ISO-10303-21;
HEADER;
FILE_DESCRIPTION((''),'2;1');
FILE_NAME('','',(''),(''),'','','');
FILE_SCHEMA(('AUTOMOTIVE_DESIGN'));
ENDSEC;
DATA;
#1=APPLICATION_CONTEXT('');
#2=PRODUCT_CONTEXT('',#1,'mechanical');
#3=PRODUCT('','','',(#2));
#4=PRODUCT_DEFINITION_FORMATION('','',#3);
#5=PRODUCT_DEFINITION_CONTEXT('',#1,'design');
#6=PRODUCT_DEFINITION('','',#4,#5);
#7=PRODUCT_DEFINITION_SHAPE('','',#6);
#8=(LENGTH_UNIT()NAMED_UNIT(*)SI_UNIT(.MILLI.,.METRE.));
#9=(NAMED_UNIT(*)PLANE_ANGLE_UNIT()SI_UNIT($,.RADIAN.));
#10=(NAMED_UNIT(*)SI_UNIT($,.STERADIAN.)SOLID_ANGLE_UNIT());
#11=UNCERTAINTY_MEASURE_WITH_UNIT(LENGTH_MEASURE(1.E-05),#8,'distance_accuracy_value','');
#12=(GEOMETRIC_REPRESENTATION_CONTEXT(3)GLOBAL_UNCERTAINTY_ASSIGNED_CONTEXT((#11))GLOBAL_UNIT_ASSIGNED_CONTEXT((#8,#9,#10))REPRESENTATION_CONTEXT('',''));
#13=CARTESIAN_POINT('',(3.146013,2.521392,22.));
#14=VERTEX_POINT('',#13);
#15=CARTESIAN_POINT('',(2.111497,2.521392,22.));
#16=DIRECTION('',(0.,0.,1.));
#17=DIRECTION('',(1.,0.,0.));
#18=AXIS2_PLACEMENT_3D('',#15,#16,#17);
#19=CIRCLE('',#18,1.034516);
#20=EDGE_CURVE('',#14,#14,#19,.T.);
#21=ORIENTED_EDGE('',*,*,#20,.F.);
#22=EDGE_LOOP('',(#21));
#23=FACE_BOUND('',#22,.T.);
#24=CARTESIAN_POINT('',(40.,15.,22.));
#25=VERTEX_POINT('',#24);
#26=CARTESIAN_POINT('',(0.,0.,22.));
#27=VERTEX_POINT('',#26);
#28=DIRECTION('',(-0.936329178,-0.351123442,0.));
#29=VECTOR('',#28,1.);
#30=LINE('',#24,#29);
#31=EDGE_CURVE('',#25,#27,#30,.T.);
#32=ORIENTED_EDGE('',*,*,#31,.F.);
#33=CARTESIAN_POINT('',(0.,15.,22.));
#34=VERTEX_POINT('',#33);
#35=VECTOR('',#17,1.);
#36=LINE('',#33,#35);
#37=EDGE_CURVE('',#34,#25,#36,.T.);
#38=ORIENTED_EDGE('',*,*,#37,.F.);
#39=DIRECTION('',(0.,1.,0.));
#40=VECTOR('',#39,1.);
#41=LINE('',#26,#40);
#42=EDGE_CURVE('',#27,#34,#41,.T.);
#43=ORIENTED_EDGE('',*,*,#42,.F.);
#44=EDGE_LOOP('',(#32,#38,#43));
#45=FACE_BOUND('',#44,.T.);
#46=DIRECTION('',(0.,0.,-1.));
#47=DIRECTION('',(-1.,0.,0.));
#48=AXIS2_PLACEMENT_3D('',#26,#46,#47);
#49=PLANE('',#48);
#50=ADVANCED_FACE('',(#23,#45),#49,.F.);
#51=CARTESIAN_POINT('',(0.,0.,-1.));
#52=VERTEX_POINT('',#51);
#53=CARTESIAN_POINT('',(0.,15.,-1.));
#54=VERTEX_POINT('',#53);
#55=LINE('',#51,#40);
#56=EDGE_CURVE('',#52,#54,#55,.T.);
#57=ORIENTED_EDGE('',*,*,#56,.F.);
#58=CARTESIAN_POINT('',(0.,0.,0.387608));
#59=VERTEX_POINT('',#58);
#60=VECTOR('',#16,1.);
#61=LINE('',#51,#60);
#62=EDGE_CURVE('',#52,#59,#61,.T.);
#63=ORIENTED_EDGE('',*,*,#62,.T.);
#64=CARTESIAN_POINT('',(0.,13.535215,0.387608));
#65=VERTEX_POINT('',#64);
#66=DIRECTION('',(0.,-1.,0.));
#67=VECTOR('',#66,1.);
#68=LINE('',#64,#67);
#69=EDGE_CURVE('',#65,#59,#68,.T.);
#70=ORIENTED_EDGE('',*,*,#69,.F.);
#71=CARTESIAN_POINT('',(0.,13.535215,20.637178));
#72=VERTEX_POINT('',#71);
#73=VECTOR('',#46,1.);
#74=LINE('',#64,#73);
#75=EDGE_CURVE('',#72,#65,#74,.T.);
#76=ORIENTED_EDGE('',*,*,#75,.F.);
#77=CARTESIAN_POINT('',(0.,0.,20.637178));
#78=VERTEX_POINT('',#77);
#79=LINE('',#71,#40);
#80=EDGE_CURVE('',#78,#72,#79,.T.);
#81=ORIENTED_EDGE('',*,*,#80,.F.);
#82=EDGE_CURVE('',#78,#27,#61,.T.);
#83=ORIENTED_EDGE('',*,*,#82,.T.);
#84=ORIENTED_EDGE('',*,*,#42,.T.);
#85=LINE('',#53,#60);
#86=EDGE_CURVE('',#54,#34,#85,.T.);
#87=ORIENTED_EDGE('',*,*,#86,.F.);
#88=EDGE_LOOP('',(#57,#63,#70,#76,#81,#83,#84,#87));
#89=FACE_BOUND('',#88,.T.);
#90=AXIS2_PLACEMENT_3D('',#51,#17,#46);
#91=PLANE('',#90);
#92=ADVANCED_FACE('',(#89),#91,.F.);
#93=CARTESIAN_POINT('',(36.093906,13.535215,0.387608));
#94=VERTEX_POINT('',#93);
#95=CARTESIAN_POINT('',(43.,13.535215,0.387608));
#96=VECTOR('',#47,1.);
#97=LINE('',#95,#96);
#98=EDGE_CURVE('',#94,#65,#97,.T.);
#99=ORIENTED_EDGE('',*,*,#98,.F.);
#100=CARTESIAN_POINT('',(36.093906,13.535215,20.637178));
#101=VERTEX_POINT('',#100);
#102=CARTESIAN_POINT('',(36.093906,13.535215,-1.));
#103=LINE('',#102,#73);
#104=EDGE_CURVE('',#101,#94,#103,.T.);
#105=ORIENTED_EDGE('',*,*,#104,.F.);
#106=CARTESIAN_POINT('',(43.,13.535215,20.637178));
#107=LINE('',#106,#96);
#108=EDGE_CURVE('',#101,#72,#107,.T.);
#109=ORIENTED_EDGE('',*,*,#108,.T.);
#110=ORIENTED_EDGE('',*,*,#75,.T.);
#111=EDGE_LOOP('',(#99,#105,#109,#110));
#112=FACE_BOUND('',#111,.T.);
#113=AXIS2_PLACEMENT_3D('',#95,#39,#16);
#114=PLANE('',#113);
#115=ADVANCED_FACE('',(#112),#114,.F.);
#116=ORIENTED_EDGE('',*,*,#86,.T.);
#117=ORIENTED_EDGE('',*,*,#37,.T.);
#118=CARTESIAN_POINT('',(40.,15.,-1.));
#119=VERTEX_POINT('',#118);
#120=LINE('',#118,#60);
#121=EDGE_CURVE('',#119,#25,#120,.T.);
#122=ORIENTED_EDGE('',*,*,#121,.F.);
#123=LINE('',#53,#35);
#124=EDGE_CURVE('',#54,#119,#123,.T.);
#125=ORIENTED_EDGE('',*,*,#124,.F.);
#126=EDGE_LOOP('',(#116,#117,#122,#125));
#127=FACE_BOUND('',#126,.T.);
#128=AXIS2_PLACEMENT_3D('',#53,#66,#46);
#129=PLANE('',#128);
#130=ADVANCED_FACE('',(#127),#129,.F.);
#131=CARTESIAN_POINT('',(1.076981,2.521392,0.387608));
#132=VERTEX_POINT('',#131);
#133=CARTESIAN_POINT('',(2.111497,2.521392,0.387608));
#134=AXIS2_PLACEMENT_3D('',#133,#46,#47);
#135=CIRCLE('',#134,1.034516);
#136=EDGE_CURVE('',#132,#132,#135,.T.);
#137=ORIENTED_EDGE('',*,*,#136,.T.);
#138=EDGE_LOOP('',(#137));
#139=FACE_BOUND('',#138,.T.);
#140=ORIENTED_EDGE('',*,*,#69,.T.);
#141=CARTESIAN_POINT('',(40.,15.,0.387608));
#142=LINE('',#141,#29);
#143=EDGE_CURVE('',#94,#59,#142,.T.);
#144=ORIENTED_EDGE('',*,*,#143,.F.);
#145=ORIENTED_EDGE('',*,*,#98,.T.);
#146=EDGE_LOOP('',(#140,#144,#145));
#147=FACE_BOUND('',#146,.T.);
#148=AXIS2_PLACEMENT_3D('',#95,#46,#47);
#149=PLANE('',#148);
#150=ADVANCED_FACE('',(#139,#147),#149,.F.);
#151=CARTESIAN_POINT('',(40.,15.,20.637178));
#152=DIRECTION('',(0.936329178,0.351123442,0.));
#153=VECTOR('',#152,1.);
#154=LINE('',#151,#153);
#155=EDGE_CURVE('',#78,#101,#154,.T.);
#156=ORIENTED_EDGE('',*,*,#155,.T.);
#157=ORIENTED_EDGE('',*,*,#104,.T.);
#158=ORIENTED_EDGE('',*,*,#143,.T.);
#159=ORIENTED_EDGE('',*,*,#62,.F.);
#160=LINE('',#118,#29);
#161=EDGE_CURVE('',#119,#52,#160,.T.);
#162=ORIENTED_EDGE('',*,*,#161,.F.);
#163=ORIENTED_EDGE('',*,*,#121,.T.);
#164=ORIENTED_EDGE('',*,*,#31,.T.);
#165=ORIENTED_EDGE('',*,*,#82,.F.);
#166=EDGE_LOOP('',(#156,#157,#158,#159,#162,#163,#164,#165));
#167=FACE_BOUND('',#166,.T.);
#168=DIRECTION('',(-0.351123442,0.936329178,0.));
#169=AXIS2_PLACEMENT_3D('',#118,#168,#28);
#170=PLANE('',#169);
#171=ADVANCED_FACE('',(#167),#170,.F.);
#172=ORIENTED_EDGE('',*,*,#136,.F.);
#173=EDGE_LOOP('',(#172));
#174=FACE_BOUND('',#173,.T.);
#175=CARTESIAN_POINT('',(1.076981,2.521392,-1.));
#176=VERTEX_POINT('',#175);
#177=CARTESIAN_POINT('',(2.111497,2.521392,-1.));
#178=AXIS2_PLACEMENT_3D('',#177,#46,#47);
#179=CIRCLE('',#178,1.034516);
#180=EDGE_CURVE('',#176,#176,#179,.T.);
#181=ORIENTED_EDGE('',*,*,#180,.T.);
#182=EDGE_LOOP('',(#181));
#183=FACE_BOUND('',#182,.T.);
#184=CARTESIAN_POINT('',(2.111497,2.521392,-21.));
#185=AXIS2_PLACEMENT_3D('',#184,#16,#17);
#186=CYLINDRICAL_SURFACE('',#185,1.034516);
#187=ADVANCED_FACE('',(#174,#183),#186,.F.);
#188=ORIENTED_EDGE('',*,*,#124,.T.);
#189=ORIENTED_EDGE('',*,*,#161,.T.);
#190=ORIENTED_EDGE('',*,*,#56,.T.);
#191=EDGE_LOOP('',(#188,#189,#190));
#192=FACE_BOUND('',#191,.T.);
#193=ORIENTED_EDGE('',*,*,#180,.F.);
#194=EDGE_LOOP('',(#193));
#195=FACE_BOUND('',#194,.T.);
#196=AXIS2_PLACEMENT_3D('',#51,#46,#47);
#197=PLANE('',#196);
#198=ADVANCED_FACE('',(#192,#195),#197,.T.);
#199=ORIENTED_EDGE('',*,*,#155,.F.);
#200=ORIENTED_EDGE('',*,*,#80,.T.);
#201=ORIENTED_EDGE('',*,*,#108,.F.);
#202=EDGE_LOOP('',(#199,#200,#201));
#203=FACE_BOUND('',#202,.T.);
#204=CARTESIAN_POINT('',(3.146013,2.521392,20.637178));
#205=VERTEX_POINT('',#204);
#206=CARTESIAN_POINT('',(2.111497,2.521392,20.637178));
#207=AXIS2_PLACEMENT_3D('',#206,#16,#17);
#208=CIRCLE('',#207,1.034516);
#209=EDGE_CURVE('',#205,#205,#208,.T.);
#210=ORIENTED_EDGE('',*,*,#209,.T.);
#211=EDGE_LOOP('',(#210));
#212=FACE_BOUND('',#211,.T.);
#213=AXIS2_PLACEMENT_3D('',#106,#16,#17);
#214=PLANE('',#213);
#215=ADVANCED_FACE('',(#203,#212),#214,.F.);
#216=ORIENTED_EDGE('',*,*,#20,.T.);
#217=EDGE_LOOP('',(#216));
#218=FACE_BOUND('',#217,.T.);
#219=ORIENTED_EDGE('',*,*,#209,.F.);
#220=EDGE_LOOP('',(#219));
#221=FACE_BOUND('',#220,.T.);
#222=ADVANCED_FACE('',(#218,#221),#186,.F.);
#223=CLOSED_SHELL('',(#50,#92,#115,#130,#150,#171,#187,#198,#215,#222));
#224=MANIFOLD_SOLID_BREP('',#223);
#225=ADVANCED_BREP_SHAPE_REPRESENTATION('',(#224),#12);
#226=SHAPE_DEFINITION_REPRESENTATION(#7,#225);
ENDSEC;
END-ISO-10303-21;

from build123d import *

# Parameters (mm, degrees)
BOSS_EXTRUDE2_DEPTH      = 22
BOSS_EXTRUDE2_DEPTH_BACK = 1
SKETCH2_W                = 20.249570214
SKETCH2_H                = 13.731042716
CUT_EXTRUDE1_DEPTH       = 43
SKETCH3_R                = 1.034515854
CUT_EXTRUDE2_DEPTH       = 43


with BuildPart() as part:
    # Sketch1 → Boss-Extrude2 (new, two sides: drawn at the far end of the back side and taken through both)
    with BuildSketch(Plane.XY.offset(-BOSS_EXTRUDE2_DEPTH_BACK)):
        Polygon((0, 0), (0, 15), (40, 15), align=None)
    extrude(amount=BOSS_EXTRUDE2_DEPTH + BOSS_EXTRUDE2_DEPTH_BACK)

    # Sketch2 → Cut-Extrude1 (cut)
    with BuildSketch(Plane.ZY):
        with Locations((10.512392638, 6.669693265)):
            Rectangle(SKETCH2_W, SKETCH2_H)
    extrude(amount=-CUT_EXTRUDE1_DEPTH, mode=Mode.SUBTRACT)

    # Sketch3 → Cut-Extrude2 (cut)
    with BuildSketch(Plane.XY.offset(22)):
        with Locations((2.111496697, 2.521392454)):
            Circle(SKETCH3_R)
    extrude(amount=-CUT_EXTRUDE2_DEPTH, mode=Mode.SUBTRACT)


solid = part.part
